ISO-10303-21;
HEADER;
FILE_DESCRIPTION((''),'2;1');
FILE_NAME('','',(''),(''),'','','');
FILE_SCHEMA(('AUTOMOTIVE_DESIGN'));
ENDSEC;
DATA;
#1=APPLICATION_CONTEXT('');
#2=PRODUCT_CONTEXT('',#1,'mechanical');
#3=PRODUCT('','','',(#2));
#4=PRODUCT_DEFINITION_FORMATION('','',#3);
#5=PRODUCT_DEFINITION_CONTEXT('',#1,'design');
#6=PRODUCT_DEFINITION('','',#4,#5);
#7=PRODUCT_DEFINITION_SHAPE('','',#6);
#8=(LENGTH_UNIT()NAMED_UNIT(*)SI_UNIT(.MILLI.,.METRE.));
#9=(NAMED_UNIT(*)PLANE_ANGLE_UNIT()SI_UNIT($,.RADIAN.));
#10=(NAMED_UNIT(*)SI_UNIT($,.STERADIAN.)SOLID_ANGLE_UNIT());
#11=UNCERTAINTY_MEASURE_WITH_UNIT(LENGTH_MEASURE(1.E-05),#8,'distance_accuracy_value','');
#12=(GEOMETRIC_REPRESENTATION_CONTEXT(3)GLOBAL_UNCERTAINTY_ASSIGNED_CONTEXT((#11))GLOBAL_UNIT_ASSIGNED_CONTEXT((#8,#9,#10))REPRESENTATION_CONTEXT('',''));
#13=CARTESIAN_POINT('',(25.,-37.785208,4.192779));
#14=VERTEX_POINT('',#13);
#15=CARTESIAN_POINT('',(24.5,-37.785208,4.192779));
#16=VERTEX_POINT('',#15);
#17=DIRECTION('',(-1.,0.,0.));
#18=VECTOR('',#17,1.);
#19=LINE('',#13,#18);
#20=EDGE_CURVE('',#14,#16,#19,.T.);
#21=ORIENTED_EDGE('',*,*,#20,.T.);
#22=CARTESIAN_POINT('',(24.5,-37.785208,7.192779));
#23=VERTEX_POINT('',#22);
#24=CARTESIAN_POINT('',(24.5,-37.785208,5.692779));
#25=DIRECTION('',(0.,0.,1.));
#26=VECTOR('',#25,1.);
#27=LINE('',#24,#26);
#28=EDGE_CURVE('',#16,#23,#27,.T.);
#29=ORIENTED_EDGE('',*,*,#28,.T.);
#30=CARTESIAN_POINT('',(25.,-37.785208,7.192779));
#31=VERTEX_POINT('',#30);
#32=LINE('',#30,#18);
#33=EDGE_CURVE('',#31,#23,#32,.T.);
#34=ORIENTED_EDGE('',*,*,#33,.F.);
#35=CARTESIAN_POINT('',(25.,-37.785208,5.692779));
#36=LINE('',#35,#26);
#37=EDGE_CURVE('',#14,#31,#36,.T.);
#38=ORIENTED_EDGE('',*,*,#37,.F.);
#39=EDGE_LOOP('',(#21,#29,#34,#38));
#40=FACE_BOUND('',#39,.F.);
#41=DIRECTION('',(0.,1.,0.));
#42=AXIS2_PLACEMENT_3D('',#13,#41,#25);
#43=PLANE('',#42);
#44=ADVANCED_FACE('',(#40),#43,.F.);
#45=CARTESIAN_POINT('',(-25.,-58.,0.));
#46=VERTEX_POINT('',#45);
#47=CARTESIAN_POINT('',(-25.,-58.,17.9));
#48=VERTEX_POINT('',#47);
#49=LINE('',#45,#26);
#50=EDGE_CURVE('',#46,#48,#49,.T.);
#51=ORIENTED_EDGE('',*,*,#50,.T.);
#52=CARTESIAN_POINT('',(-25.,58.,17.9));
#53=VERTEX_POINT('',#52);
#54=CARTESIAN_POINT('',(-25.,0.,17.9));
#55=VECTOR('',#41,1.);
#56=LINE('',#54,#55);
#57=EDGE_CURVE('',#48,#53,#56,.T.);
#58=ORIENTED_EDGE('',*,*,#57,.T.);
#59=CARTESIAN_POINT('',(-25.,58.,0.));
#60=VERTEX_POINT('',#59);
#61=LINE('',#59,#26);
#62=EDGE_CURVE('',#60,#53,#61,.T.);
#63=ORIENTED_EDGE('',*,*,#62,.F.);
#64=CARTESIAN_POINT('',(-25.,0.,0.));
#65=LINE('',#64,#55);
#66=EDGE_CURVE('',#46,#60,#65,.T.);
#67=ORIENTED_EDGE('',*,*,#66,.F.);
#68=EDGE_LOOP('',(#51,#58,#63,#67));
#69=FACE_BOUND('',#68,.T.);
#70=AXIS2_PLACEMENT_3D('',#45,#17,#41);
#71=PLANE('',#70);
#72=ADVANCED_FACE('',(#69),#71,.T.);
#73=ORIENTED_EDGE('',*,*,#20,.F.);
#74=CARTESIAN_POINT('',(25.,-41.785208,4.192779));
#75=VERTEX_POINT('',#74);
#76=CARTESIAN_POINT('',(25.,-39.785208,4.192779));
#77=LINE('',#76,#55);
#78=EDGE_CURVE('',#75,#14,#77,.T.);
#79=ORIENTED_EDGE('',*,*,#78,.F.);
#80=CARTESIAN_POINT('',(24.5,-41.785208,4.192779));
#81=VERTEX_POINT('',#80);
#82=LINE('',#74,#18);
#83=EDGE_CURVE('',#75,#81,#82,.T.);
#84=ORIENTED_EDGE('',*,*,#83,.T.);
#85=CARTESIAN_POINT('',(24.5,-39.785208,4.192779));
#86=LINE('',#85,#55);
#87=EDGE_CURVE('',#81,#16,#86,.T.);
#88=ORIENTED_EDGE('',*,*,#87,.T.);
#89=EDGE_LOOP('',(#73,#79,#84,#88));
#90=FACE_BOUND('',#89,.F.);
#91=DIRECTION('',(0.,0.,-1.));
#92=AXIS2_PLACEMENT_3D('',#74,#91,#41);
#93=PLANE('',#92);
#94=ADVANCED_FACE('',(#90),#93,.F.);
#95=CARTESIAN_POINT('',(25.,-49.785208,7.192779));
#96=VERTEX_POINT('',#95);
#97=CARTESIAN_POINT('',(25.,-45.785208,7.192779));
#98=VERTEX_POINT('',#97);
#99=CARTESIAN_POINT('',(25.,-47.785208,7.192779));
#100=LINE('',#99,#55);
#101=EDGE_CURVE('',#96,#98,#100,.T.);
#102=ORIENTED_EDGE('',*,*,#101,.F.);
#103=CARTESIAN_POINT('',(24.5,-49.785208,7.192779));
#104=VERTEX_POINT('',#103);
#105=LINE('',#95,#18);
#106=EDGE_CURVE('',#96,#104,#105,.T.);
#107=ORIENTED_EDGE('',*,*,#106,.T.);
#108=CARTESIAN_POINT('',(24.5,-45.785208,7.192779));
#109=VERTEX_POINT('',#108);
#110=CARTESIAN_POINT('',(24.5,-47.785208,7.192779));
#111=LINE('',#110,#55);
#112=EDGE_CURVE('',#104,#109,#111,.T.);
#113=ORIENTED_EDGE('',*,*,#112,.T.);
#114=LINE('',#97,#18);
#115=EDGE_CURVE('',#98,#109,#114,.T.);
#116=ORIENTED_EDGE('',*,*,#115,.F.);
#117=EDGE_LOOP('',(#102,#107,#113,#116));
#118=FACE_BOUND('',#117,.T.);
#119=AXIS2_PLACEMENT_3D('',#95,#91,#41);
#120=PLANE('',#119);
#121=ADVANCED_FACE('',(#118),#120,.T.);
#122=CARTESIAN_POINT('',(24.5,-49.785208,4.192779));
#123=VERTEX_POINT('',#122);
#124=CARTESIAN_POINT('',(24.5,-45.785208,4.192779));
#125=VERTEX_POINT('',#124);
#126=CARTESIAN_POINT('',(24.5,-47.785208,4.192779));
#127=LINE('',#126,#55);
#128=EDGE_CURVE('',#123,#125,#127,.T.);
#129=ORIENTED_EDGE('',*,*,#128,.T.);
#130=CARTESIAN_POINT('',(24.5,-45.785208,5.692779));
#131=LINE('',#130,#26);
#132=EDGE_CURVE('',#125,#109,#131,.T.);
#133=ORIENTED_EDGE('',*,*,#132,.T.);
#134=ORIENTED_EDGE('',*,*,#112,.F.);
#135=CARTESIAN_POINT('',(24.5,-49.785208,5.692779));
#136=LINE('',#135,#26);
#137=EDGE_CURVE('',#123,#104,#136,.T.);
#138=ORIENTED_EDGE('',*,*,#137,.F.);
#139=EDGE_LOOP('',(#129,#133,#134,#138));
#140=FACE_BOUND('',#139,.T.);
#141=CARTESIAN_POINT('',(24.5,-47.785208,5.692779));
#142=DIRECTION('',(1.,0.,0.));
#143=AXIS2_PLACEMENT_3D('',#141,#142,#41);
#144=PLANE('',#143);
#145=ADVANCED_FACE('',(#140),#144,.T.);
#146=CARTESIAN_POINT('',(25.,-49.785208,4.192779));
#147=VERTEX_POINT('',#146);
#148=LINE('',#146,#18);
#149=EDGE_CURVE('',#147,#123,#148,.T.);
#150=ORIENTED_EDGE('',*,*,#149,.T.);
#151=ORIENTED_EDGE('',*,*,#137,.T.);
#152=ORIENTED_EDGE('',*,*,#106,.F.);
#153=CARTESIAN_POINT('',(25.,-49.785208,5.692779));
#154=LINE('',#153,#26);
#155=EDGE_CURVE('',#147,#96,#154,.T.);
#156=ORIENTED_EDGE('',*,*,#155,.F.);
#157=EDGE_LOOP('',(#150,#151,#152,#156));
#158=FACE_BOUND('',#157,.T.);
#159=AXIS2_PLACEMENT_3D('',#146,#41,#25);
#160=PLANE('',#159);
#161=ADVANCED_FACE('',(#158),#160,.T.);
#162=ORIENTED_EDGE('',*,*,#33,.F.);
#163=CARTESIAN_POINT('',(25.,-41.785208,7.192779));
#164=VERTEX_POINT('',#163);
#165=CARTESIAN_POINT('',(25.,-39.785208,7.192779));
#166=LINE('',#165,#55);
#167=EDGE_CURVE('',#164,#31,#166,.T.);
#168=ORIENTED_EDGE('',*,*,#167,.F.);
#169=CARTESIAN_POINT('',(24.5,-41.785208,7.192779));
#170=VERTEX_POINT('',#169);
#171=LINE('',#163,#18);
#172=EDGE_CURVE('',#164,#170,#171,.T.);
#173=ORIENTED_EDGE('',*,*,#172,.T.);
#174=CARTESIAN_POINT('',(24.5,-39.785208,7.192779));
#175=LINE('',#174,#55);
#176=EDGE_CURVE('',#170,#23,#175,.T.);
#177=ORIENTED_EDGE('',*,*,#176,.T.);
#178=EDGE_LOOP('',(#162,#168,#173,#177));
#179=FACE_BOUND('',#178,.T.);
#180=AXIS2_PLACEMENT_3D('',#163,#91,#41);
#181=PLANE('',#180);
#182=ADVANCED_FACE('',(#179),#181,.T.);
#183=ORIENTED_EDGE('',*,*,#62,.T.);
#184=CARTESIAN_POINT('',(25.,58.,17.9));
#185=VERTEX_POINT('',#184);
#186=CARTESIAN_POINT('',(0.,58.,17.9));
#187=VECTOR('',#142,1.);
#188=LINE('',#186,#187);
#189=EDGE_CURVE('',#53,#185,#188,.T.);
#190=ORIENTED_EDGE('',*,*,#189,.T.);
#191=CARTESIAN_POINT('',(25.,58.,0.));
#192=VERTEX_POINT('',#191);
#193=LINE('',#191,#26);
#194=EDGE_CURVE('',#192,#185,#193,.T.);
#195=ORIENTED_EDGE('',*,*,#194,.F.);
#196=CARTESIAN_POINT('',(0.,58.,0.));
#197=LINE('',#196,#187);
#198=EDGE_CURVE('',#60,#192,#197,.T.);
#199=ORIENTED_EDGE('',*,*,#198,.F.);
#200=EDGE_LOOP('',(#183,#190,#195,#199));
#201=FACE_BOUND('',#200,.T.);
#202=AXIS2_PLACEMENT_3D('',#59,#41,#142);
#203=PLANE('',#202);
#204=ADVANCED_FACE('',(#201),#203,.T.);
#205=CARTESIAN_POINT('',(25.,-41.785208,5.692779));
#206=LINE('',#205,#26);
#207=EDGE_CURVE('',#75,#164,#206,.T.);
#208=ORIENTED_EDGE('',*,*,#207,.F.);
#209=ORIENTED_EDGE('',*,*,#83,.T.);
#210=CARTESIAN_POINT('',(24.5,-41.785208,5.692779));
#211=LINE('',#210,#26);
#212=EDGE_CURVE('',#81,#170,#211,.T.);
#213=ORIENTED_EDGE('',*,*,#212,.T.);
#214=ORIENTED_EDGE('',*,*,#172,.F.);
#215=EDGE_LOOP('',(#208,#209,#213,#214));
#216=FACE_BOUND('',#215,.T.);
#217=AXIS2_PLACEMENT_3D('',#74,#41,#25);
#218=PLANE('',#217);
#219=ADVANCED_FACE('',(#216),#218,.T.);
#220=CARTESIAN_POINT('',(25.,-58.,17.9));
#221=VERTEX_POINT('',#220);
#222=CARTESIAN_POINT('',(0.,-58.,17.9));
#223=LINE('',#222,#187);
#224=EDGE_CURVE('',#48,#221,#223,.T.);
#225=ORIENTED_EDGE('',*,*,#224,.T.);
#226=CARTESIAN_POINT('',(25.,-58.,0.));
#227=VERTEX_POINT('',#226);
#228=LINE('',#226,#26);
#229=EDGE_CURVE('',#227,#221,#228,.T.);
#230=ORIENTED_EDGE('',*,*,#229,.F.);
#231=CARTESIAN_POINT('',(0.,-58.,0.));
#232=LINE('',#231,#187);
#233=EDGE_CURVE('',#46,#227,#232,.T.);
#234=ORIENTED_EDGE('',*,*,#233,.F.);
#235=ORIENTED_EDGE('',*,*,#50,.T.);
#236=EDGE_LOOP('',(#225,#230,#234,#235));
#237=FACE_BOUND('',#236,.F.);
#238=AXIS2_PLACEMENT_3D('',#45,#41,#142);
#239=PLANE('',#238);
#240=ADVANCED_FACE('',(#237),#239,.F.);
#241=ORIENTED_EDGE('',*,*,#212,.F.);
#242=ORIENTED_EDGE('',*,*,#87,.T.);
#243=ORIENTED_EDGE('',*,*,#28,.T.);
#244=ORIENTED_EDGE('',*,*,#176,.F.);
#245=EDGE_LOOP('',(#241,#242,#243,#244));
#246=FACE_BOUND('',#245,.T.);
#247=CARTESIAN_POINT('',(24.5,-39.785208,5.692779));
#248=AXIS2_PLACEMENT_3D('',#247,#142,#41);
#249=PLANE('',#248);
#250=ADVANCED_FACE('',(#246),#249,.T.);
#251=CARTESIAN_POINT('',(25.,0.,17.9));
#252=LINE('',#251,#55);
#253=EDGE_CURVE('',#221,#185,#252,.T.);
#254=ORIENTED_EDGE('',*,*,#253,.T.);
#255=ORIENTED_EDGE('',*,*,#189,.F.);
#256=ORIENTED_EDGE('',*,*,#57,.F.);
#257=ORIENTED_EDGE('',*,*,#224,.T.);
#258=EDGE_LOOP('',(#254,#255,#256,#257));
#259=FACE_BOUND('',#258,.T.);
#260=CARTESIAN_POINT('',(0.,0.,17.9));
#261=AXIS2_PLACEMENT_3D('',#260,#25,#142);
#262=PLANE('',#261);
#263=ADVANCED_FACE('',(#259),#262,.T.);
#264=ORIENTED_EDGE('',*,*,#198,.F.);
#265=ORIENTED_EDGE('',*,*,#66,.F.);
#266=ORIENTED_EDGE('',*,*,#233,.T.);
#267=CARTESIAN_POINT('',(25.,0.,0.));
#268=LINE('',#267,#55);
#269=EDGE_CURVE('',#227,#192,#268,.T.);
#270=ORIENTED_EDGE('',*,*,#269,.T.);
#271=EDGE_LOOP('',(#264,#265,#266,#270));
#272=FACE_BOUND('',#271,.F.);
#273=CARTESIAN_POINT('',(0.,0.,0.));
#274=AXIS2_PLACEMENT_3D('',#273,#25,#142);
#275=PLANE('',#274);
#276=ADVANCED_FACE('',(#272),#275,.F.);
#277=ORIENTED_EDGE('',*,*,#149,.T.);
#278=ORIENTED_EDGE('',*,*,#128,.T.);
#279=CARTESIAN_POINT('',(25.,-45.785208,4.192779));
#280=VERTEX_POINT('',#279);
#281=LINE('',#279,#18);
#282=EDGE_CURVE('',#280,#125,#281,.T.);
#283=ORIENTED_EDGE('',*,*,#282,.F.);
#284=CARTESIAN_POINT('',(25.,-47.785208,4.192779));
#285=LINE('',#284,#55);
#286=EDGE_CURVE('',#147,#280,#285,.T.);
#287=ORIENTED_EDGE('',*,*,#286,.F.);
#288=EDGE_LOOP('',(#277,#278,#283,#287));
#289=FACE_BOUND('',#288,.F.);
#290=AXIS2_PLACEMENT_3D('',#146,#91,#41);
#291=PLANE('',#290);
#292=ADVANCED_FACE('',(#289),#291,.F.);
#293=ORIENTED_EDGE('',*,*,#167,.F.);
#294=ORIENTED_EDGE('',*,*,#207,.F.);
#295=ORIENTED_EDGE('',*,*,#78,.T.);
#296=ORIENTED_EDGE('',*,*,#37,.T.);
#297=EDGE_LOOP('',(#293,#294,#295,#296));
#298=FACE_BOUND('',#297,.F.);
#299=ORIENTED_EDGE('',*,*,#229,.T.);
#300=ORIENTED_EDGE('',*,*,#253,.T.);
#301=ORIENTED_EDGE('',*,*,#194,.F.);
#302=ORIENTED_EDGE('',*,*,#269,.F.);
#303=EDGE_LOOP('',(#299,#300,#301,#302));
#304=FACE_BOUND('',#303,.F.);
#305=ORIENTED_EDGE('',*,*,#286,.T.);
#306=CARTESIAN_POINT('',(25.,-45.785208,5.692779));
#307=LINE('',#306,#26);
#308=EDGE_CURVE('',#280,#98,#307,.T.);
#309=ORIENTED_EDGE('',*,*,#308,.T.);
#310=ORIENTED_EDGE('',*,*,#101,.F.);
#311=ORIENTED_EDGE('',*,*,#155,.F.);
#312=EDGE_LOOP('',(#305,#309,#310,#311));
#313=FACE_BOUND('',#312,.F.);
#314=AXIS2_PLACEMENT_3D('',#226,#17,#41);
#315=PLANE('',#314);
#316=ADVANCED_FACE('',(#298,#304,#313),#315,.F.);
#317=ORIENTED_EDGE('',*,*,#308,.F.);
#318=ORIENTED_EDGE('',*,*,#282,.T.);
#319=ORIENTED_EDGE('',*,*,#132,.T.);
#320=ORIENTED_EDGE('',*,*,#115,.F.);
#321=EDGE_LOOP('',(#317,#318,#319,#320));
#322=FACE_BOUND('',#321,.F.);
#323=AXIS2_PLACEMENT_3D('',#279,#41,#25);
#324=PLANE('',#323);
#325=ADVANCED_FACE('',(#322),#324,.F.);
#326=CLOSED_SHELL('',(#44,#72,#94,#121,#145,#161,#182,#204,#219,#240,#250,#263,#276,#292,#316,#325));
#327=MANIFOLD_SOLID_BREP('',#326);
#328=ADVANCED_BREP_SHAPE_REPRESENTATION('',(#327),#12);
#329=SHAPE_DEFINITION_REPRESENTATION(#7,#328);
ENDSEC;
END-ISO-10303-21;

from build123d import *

# Parameters (mm, degrees)
F1_W     = 50
F1_H     = 116
F2_DEPTH = 17.9
F3_W     = 4
F3_H     = 3
F4_DEPTH = 0.5


with BuildPart() as f2:
    # F1 (on Top) → F2 (new body)
    with BuildSketch(Plane.XY):
        Rectangle(F1_W, F1_H)
    extrude(amount=F2_DEPTH)

    # F3 (on face) → F4 (cut)
    with BuildSketch(Plane.YZ.offset(25)):
        with Locations((-47.785207957, 5.6927793063)):
            Rectangle(F3_W, F3_H)
        with Locations((-39.785207957, 5.6927793063)):
            Rectangle(F3_W, F3_H)
    extrude(amount=-F4_DEPTH, mode=Mode.SUBTRACT)


solid = f2.part
